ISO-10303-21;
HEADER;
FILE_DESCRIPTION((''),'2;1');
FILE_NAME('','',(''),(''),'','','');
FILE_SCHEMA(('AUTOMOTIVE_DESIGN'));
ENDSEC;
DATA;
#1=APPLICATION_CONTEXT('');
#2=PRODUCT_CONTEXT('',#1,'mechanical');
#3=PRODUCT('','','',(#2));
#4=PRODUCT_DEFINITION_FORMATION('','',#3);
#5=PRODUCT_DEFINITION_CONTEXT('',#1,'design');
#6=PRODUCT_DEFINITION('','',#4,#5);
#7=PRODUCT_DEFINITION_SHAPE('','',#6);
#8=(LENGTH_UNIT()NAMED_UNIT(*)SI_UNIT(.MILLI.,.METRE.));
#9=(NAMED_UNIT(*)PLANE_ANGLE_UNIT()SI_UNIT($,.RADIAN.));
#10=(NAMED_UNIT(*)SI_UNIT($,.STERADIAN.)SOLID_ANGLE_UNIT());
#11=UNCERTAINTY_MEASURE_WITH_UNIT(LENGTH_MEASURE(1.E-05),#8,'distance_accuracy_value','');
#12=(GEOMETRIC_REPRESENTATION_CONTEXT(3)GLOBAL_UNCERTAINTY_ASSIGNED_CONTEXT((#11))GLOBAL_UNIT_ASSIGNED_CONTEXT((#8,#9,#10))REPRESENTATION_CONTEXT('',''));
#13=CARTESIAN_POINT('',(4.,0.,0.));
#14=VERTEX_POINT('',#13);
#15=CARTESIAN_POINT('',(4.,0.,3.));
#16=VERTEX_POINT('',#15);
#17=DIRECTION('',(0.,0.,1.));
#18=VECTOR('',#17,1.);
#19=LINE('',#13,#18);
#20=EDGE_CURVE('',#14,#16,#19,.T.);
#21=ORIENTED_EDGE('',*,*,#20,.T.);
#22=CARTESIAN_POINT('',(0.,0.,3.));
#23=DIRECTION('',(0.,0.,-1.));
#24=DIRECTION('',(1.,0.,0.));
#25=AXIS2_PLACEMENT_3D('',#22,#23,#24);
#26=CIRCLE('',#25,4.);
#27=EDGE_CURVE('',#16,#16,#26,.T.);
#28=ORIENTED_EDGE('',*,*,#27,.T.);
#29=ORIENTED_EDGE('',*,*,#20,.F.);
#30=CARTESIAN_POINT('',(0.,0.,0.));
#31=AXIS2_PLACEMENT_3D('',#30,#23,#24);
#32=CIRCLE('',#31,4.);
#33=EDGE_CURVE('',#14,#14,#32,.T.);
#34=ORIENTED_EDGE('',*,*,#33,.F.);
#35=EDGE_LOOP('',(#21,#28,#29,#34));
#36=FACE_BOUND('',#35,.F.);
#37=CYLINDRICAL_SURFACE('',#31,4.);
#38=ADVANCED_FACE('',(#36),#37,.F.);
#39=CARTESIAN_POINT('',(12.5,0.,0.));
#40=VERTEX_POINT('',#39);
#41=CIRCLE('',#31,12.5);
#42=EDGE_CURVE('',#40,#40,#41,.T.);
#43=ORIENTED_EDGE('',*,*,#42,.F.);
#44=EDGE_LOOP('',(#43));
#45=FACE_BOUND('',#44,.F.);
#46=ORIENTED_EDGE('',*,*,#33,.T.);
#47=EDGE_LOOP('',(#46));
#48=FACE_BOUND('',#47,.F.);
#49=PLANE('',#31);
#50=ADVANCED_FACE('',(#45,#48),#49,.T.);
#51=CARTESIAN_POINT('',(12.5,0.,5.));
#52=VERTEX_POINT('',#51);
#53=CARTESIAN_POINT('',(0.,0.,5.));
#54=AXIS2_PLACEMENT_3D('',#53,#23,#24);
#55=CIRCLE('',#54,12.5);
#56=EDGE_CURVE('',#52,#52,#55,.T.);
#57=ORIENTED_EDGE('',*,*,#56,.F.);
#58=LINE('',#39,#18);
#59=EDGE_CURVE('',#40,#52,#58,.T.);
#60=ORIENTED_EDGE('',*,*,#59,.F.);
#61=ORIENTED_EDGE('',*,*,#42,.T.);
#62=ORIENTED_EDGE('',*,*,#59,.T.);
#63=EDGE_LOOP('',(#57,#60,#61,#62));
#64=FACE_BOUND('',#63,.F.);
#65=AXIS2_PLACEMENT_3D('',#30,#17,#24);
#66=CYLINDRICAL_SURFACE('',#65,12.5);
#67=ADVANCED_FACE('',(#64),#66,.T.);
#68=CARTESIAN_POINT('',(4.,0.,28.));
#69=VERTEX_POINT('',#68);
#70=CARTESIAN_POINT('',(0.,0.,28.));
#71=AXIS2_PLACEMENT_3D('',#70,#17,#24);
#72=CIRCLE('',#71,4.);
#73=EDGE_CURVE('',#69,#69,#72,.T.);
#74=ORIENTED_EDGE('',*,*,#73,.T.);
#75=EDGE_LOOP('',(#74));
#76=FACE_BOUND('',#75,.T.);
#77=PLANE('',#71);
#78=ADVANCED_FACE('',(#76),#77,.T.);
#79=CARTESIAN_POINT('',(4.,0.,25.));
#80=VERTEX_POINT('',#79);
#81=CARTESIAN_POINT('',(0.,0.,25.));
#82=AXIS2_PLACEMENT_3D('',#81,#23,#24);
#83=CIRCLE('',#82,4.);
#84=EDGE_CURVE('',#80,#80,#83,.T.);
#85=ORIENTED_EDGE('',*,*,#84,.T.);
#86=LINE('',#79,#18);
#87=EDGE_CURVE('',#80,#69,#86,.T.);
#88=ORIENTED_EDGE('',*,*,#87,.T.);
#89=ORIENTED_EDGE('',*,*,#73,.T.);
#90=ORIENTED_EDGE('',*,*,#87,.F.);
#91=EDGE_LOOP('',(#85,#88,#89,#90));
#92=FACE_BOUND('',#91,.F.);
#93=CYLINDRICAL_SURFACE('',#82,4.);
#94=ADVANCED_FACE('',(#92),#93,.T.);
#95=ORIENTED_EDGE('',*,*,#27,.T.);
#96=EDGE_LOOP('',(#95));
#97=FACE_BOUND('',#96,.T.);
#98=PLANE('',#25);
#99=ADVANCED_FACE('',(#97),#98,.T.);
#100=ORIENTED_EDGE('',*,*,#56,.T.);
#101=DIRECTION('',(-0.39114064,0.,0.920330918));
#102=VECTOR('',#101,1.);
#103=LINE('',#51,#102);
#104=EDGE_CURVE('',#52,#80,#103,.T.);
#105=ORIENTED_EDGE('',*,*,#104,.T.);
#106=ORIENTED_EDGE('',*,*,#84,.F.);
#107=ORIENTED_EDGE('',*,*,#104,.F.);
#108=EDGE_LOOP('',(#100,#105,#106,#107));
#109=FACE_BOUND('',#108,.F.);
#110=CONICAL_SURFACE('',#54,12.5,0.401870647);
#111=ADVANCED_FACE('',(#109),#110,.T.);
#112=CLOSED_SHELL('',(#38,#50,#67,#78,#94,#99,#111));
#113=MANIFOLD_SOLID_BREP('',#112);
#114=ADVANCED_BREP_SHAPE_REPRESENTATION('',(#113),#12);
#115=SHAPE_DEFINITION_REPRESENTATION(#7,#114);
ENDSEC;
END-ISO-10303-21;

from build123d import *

# Parameters (mm, degrees)
F2_R     = 4
F3_DEPTH = 3
F4_R     = 4
F5_DEPTH = 3


with BuildPart() as f1:
    # F0 (on Front) → F1 (revolve)
    with BuildSketch(Plane.XZ):
        Polygon((0, 25), (0, 0), (12.5, 0), (12.5, 5), (4, 25), align=None)
    revolve(axis=Axis((0, 0, 12.5), (0, 0, -1)))

    # F2 (on face) → F3 (join)
    with BuildSketch(Plane.XY.offset(25)):
        Circle(F2_R)
    extrude(amount=F3_DEPTH)

    # F4 (on face) → F5 (cut)
    with BuildSketch(Plane(origin=(0, 0, 0), x_dir=(1, 0, 0), z_dir=(0, 0, -1))):
        Circle(F4_R)
    extrude(amount=-F5_DEPTH, mode=Mode.SUBTRACT)


solid = f1.part
